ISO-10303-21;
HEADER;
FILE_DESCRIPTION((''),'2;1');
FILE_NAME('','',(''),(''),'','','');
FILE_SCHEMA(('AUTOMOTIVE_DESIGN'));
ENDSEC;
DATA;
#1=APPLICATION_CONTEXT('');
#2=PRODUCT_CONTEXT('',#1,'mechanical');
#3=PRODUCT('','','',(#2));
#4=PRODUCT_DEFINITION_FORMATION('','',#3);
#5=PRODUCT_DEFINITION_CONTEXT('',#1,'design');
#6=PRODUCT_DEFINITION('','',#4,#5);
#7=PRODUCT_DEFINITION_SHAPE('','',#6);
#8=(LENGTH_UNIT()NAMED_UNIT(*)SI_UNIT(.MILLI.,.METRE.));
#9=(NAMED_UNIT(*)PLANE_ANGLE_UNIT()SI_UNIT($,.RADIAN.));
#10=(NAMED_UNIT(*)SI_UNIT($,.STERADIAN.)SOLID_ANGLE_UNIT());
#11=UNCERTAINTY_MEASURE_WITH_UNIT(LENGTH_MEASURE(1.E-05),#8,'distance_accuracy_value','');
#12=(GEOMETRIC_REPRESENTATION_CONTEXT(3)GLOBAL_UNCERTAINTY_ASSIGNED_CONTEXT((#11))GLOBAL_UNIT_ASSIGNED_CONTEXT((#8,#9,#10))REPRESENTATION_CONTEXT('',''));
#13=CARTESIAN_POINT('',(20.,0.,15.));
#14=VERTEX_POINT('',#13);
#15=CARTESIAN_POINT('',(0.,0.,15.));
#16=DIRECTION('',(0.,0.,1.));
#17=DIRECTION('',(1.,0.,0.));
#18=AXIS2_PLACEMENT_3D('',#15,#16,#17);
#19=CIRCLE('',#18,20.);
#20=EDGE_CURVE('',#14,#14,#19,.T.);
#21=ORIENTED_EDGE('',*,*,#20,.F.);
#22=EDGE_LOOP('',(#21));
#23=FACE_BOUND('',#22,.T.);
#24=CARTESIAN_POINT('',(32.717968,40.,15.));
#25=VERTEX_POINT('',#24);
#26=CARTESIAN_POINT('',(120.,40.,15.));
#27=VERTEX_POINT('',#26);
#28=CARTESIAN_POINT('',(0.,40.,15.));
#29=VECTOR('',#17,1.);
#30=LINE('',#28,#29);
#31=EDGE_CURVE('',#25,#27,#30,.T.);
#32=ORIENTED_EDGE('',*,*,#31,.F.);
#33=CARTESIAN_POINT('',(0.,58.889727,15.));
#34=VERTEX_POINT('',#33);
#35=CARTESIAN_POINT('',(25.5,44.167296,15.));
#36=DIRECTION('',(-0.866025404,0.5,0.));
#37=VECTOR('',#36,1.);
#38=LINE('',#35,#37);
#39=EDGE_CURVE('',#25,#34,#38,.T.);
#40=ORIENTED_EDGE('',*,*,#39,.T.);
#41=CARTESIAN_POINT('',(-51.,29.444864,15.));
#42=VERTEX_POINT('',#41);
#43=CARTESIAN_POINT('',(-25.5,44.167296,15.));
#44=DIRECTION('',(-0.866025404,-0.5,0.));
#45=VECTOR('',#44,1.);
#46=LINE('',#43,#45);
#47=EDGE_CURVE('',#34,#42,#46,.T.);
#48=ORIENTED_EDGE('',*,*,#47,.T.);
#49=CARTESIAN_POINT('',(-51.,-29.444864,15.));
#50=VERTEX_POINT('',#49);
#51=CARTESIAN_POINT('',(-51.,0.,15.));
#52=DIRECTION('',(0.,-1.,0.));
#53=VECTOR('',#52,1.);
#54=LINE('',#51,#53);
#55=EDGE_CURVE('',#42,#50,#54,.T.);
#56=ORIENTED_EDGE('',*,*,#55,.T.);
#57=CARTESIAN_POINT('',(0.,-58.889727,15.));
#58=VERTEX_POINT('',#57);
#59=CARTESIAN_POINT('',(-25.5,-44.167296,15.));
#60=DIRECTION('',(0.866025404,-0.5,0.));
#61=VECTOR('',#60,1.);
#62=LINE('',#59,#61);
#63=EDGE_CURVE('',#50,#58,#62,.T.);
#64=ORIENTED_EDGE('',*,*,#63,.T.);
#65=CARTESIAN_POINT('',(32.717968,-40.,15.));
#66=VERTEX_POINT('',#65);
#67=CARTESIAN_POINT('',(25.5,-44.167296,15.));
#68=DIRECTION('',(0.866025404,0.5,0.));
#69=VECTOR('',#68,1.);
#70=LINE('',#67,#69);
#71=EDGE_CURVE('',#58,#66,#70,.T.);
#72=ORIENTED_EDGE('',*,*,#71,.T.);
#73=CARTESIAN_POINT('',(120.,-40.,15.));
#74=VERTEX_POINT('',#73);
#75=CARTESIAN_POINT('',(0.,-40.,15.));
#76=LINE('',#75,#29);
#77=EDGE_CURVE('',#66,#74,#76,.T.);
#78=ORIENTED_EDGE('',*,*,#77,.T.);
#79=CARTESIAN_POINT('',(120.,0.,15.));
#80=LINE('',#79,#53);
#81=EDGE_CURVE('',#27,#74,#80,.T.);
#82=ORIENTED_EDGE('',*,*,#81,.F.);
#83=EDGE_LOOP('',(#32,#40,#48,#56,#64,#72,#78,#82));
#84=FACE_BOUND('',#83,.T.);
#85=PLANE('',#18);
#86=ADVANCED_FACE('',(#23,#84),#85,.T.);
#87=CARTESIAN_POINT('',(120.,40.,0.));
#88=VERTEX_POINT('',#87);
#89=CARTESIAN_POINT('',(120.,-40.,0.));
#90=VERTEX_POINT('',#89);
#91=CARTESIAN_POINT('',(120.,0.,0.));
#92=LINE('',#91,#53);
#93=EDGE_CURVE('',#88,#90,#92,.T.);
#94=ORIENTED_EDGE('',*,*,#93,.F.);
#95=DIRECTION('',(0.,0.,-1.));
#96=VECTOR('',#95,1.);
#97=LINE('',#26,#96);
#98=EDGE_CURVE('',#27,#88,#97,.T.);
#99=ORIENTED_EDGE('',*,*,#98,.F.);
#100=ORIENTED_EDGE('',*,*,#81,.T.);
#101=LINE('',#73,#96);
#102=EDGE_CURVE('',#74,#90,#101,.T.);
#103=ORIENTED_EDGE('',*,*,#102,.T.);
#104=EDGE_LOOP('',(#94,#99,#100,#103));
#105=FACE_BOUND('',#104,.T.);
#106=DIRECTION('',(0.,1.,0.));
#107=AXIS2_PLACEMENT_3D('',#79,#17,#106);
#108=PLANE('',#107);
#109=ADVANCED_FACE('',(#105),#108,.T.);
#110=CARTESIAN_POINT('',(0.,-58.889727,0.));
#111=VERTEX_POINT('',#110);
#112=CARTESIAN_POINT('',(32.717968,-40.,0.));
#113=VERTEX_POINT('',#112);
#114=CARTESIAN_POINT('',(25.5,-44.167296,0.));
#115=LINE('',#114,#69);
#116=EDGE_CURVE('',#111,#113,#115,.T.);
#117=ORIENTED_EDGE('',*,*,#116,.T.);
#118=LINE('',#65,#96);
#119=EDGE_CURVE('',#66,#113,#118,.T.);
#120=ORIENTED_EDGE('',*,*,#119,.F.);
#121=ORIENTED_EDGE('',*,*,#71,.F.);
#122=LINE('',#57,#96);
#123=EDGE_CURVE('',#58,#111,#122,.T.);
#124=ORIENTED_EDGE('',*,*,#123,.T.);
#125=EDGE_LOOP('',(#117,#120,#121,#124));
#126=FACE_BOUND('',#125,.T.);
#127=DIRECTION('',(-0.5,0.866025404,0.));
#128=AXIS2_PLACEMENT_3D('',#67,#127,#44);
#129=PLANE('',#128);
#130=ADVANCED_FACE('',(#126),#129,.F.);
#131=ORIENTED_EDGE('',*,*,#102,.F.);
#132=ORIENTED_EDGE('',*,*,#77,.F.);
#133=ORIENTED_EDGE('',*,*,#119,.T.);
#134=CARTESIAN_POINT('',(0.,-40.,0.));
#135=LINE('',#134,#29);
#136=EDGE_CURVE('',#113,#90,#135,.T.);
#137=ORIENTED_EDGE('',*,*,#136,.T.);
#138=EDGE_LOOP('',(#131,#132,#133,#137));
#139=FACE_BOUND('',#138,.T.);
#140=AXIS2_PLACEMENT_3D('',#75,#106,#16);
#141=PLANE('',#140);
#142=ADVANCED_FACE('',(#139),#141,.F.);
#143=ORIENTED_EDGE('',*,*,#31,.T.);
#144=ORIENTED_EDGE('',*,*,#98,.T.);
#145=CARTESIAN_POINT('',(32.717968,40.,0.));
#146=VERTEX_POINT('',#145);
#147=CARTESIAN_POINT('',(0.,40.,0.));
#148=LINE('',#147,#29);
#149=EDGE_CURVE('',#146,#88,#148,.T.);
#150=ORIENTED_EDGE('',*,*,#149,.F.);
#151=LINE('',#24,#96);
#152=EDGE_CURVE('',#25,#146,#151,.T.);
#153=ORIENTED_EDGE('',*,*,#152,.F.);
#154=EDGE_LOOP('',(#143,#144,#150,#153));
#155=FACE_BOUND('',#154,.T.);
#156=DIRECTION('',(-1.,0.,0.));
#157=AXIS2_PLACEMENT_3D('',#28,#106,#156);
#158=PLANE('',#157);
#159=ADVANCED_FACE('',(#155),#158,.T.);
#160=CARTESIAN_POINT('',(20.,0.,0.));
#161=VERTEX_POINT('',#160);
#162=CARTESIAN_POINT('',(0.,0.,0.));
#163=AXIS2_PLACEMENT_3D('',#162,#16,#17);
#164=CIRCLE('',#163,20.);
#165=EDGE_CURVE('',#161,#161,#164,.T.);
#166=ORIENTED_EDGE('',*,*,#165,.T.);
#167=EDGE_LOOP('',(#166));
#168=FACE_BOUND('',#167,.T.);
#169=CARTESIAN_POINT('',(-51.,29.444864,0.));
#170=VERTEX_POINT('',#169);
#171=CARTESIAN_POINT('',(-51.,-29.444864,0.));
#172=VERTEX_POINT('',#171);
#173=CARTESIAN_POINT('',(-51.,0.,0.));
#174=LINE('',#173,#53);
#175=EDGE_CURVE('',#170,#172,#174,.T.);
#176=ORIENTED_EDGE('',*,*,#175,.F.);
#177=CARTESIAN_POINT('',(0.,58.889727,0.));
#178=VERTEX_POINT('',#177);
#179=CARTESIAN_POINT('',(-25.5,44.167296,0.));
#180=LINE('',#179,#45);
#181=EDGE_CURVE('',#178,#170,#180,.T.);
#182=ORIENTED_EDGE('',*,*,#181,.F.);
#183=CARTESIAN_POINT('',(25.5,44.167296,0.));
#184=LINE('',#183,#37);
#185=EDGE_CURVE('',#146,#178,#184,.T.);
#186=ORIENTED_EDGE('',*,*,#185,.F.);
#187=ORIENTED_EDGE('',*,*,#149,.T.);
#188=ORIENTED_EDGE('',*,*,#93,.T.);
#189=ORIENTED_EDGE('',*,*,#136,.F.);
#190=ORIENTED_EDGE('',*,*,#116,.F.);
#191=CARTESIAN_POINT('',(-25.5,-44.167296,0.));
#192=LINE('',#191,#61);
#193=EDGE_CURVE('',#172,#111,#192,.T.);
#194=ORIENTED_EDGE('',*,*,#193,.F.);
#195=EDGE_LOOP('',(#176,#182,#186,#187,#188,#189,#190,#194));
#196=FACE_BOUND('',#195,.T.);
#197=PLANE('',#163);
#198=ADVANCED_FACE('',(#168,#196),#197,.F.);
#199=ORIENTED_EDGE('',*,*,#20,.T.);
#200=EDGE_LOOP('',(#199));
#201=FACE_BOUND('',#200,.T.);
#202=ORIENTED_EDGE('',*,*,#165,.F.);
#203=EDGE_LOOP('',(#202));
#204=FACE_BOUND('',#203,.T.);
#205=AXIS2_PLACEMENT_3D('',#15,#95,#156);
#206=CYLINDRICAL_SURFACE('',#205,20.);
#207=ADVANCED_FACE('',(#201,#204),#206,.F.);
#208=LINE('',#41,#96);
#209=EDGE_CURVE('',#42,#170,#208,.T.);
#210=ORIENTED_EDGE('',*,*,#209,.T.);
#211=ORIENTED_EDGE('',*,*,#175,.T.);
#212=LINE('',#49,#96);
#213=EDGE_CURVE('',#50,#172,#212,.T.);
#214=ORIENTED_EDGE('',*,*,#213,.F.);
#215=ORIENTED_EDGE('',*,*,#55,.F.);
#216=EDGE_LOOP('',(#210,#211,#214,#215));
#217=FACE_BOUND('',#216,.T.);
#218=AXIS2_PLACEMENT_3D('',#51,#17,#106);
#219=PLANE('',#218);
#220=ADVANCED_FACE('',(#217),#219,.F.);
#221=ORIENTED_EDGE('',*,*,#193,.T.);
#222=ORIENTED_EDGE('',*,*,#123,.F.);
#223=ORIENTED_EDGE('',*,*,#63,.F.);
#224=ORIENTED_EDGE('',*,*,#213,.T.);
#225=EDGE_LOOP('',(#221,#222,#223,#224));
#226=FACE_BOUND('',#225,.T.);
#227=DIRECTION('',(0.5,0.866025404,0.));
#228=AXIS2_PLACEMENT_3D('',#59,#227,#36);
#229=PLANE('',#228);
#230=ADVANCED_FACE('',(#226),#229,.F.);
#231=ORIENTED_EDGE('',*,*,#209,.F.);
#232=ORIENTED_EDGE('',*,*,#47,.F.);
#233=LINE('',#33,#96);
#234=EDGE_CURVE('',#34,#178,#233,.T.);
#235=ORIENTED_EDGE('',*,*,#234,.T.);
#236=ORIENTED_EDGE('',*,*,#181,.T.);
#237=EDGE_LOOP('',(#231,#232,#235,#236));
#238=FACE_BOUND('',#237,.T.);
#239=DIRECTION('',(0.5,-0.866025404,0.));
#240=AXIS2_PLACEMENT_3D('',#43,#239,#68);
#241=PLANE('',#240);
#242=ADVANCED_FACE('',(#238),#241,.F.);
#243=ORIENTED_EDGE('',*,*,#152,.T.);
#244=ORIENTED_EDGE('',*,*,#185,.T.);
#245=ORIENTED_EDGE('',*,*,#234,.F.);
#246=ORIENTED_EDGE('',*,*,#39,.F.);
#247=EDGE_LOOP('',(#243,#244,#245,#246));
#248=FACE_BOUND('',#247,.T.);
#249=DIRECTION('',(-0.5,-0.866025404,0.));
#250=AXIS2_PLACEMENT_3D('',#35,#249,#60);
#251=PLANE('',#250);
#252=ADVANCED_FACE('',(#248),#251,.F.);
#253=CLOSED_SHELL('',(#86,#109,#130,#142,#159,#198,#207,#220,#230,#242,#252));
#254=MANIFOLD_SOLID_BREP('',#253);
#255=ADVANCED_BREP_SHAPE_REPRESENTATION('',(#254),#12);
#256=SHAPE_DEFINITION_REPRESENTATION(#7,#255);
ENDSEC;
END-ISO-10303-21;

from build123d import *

# Parameters (mm, degrees)
SKETCH1_R           = 20
BOSS_EXTRUDE1_DEPTH = 15


with BuildPart() as part:
    # Sketch1 → Boss-Extrude1 (new body)
    with BuildSketch(Plane.XY):
        Polygon((32.717967697, 40), (120, 40), (120, -40), (32.717967697, -40), (0, -58.889727457), (-51, -29.444863729), (-51, 29.444863729), (0, 58.889727457), align=None)
        Circle(SKETCH1_R, mode=Mode.SUBTRACT)
    extrude(amount=BOSS_EXTRUDE1_DEPTH)


solid = part.part
